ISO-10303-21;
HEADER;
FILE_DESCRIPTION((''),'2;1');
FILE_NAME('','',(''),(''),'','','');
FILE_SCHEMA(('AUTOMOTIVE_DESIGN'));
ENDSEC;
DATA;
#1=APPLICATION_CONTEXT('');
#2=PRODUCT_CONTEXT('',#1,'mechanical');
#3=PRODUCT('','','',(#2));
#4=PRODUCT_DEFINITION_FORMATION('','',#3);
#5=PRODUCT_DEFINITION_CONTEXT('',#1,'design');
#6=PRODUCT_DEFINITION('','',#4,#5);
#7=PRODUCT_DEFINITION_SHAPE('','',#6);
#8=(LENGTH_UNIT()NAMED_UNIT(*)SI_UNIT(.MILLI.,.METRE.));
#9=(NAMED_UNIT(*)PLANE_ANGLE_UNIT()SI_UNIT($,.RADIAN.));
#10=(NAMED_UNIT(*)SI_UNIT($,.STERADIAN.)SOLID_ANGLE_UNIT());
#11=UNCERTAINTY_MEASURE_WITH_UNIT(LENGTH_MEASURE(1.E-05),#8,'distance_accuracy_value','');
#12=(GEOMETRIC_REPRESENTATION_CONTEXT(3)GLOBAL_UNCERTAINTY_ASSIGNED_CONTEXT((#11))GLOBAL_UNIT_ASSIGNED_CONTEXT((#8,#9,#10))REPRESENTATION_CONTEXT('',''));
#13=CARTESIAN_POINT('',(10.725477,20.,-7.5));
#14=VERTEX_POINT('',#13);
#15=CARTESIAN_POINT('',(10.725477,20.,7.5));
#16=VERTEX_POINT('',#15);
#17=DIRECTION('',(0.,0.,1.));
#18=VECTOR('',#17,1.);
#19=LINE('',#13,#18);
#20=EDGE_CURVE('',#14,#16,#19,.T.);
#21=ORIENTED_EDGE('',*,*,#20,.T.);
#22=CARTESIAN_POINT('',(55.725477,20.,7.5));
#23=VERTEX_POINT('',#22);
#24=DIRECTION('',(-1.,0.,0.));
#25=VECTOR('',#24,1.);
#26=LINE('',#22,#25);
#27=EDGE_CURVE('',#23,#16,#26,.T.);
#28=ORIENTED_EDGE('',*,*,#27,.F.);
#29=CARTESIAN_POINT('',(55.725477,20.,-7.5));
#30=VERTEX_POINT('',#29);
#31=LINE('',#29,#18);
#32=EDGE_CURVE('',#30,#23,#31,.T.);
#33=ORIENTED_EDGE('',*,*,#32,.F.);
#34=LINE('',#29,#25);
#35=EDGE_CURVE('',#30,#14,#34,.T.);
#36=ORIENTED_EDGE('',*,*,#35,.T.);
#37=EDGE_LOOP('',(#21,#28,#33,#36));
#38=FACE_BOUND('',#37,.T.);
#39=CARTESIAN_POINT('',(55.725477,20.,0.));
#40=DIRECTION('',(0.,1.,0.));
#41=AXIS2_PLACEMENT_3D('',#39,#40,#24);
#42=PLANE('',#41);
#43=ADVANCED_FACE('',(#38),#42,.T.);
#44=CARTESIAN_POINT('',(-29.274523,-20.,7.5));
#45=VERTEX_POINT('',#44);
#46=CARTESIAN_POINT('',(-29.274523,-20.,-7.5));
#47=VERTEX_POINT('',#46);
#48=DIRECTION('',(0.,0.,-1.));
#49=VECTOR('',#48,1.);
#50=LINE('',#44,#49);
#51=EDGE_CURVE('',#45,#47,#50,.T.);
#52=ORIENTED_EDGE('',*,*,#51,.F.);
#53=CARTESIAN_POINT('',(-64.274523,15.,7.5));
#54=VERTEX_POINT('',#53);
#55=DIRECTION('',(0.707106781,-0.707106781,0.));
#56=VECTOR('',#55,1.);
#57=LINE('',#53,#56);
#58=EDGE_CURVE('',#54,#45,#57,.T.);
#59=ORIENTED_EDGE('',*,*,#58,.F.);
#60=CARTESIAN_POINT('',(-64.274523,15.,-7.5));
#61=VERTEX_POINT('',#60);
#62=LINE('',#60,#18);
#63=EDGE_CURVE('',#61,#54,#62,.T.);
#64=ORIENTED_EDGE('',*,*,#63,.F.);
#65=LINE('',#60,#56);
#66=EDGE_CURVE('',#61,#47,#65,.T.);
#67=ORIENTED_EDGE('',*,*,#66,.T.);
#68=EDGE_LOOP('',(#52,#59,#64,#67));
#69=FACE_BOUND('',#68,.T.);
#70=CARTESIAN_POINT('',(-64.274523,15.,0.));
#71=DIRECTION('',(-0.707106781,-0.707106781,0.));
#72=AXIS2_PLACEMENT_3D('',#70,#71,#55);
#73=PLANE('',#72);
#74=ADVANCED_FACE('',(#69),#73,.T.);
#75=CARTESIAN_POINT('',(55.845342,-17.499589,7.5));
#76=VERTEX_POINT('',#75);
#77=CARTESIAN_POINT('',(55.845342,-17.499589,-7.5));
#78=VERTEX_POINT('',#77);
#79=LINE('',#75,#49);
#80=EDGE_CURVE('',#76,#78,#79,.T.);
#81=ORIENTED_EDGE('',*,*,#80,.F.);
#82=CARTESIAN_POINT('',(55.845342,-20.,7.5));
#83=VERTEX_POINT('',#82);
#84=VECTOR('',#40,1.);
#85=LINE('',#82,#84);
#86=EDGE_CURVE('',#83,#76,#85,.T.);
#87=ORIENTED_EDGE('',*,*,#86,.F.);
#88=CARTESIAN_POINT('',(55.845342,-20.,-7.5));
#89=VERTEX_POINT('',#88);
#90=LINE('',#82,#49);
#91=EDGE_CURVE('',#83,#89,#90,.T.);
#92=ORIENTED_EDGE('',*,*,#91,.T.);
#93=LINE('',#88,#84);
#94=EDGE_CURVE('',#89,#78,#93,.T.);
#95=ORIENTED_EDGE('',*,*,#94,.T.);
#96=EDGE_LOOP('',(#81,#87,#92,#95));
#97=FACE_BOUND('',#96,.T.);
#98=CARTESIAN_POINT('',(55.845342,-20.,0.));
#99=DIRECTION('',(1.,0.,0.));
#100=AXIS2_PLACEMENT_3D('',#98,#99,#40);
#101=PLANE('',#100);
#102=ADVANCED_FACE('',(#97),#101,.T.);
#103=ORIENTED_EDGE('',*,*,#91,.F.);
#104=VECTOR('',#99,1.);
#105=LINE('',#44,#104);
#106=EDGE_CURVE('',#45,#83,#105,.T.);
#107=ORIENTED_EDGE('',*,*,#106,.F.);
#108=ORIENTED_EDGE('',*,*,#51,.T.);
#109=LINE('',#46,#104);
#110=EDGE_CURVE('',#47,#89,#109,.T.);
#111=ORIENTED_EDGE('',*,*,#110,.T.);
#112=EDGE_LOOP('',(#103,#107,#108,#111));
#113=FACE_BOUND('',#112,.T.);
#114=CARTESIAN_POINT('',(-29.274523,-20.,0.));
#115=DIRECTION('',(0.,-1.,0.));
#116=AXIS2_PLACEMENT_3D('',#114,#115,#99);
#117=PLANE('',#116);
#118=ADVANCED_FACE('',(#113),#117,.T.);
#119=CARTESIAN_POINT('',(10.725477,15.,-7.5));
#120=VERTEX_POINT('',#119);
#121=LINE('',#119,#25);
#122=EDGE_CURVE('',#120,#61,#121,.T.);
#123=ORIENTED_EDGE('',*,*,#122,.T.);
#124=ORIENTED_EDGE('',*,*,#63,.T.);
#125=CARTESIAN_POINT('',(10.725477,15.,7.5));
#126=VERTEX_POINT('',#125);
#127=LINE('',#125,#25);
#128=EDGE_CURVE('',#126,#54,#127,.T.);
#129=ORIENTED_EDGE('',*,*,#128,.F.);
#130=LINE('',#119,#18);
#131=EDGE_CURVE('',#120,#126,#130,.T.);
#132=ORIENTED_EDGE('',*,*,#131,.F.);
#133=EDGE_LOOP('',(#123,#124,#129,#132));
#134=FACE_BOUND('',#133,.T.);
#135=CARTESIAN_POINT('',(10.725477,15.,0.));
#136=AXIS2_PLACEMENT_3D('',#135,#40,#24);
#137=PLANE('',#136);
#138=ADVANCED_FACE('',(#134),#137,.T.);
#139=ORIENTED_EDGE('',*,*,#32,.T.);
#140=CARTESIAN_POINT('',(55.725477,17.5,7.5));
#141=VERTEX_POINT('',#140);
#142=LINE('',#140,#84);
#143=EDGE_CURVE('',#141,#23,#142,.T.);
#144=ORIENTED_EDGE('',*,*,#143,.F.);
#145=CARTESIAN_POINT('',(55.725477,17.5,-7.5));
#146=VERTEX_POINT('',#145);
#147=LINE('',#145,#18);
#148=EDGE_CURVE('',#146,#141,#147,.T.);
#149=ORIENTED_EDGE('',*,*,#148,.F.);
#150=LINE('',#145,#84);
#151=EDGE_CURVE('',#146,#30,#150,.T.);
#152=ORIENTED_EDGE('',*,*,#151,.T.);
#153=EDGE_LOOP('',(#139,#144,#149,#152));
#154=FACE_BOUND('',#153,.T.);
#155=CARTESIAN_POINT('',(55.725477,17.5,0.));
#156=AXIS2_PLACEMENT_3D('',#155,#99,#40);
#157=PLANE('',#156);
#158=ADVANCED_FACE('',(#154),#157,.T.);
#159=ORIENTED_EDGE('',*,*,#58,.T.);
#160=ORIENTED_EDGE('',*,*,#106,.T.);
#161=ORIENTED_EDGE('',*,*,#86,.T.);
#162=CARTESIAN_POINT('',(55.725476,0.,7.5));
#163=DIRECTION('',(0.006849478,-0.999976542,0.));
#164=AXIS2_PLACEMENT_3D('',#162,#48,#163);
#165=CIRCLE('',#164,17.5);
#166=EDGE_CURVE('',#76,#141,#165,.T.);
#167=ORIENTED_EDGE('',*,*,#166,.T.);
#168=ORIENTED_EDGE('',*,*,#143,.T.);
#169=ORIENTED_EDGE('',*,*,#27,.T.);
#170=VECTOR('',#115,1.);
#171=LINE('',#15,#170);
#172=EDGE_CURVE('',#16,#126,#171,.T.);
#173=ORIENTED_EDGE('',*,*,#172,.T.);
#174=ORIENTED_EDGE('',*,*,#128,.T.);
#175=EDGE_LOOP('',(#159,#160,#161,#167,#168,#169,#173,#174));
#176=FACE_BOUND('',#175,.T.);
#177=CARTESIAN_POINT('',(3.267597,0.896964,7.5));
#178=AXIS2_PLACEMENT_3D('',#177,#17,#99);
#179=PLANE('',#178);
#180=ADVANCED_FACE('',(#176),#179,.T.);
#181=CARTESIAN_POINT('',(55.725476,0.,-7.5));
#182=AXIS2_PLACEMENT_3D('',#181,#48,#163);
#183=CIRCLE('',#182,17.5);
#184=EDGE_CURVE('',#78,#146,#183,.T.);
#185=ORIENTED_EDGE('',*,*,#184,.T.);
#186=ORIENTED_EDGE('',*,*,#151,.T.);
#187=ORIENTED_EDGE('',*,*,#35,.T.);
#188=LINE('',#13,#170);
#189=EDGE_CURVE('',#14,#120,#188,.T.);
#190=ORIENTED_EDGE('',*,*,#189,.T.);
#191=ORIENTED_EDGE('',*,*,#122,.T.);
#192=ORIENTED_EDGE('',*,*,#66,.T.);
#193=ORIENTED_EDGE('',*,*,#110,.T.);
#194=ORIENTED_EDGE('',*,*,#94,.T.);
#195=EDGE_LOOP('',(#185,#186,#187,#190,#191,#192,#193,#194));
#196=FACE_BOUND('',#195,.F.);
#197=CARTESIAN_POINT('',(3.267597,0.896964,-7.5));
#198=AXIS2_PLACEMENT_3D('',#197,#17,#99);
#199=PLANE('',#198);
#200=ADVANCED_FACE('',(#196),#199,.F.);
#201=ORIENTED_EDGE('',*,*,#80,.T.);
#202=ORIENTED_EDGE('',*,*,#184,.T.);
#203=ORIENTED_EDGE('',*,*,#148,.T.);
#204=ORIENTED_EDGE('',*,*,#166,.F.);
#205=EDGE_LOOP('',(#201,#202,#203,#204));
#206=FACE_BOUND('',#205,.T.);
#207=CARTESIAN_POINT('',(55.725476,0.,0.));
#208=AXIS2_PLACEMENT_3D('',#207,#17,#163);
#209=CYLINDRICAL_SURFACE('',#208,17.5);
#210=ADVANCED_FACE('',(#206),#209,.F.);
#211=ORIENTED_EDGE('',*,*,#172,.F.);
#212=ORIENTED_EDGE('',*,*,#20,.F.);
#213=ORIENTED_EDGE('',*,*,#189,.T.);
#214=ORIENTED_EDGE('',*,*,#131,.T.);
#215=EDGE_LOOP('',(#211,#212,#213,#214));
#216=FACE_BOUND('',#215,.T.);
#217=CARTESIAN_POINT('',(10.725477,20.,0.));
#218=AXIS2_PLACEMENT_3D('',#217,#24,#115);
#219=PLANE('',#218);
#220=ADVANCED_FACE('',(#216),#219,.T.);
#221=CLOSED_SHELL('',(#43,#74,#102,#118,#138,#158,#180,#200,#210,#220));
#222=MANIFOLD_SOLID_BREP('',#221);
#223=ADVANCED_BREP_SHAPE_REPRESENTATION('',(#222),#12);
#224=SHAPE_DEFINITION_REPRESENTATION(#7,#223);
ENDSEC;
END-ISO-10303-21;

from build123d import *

# Parameters (mm, degrees)
F1_DEPTH = 7.5


with BuildPart() as f1:
    # F0 (on Top) → F1 (new body, symmetric)
    with BuildSketch(Plane.XY):
        with BuildLine():
            ThreePointArc((55.845342, -17.499589), (38.225579, -0.059933), (55.725477, 17.5))
            Line((55.725477, 17.5), (55.725477, 20))
            Line((55.725477, 20), (10.725477, 20))
            Line((10.725477, 20), (10.725477, 15))
            Line((10.725477, 15), (-64.274523, 15))
            Line((-64.274523, 15), (-29.274523, -20))
            Line((-29.274523, -20), (55.845342, -20))
            Line((55.845342, -20), (55.845342, -17.499589))
        make_face()
    extrude(amount=F1_DEPTH, both=True)


solid = f1.part
